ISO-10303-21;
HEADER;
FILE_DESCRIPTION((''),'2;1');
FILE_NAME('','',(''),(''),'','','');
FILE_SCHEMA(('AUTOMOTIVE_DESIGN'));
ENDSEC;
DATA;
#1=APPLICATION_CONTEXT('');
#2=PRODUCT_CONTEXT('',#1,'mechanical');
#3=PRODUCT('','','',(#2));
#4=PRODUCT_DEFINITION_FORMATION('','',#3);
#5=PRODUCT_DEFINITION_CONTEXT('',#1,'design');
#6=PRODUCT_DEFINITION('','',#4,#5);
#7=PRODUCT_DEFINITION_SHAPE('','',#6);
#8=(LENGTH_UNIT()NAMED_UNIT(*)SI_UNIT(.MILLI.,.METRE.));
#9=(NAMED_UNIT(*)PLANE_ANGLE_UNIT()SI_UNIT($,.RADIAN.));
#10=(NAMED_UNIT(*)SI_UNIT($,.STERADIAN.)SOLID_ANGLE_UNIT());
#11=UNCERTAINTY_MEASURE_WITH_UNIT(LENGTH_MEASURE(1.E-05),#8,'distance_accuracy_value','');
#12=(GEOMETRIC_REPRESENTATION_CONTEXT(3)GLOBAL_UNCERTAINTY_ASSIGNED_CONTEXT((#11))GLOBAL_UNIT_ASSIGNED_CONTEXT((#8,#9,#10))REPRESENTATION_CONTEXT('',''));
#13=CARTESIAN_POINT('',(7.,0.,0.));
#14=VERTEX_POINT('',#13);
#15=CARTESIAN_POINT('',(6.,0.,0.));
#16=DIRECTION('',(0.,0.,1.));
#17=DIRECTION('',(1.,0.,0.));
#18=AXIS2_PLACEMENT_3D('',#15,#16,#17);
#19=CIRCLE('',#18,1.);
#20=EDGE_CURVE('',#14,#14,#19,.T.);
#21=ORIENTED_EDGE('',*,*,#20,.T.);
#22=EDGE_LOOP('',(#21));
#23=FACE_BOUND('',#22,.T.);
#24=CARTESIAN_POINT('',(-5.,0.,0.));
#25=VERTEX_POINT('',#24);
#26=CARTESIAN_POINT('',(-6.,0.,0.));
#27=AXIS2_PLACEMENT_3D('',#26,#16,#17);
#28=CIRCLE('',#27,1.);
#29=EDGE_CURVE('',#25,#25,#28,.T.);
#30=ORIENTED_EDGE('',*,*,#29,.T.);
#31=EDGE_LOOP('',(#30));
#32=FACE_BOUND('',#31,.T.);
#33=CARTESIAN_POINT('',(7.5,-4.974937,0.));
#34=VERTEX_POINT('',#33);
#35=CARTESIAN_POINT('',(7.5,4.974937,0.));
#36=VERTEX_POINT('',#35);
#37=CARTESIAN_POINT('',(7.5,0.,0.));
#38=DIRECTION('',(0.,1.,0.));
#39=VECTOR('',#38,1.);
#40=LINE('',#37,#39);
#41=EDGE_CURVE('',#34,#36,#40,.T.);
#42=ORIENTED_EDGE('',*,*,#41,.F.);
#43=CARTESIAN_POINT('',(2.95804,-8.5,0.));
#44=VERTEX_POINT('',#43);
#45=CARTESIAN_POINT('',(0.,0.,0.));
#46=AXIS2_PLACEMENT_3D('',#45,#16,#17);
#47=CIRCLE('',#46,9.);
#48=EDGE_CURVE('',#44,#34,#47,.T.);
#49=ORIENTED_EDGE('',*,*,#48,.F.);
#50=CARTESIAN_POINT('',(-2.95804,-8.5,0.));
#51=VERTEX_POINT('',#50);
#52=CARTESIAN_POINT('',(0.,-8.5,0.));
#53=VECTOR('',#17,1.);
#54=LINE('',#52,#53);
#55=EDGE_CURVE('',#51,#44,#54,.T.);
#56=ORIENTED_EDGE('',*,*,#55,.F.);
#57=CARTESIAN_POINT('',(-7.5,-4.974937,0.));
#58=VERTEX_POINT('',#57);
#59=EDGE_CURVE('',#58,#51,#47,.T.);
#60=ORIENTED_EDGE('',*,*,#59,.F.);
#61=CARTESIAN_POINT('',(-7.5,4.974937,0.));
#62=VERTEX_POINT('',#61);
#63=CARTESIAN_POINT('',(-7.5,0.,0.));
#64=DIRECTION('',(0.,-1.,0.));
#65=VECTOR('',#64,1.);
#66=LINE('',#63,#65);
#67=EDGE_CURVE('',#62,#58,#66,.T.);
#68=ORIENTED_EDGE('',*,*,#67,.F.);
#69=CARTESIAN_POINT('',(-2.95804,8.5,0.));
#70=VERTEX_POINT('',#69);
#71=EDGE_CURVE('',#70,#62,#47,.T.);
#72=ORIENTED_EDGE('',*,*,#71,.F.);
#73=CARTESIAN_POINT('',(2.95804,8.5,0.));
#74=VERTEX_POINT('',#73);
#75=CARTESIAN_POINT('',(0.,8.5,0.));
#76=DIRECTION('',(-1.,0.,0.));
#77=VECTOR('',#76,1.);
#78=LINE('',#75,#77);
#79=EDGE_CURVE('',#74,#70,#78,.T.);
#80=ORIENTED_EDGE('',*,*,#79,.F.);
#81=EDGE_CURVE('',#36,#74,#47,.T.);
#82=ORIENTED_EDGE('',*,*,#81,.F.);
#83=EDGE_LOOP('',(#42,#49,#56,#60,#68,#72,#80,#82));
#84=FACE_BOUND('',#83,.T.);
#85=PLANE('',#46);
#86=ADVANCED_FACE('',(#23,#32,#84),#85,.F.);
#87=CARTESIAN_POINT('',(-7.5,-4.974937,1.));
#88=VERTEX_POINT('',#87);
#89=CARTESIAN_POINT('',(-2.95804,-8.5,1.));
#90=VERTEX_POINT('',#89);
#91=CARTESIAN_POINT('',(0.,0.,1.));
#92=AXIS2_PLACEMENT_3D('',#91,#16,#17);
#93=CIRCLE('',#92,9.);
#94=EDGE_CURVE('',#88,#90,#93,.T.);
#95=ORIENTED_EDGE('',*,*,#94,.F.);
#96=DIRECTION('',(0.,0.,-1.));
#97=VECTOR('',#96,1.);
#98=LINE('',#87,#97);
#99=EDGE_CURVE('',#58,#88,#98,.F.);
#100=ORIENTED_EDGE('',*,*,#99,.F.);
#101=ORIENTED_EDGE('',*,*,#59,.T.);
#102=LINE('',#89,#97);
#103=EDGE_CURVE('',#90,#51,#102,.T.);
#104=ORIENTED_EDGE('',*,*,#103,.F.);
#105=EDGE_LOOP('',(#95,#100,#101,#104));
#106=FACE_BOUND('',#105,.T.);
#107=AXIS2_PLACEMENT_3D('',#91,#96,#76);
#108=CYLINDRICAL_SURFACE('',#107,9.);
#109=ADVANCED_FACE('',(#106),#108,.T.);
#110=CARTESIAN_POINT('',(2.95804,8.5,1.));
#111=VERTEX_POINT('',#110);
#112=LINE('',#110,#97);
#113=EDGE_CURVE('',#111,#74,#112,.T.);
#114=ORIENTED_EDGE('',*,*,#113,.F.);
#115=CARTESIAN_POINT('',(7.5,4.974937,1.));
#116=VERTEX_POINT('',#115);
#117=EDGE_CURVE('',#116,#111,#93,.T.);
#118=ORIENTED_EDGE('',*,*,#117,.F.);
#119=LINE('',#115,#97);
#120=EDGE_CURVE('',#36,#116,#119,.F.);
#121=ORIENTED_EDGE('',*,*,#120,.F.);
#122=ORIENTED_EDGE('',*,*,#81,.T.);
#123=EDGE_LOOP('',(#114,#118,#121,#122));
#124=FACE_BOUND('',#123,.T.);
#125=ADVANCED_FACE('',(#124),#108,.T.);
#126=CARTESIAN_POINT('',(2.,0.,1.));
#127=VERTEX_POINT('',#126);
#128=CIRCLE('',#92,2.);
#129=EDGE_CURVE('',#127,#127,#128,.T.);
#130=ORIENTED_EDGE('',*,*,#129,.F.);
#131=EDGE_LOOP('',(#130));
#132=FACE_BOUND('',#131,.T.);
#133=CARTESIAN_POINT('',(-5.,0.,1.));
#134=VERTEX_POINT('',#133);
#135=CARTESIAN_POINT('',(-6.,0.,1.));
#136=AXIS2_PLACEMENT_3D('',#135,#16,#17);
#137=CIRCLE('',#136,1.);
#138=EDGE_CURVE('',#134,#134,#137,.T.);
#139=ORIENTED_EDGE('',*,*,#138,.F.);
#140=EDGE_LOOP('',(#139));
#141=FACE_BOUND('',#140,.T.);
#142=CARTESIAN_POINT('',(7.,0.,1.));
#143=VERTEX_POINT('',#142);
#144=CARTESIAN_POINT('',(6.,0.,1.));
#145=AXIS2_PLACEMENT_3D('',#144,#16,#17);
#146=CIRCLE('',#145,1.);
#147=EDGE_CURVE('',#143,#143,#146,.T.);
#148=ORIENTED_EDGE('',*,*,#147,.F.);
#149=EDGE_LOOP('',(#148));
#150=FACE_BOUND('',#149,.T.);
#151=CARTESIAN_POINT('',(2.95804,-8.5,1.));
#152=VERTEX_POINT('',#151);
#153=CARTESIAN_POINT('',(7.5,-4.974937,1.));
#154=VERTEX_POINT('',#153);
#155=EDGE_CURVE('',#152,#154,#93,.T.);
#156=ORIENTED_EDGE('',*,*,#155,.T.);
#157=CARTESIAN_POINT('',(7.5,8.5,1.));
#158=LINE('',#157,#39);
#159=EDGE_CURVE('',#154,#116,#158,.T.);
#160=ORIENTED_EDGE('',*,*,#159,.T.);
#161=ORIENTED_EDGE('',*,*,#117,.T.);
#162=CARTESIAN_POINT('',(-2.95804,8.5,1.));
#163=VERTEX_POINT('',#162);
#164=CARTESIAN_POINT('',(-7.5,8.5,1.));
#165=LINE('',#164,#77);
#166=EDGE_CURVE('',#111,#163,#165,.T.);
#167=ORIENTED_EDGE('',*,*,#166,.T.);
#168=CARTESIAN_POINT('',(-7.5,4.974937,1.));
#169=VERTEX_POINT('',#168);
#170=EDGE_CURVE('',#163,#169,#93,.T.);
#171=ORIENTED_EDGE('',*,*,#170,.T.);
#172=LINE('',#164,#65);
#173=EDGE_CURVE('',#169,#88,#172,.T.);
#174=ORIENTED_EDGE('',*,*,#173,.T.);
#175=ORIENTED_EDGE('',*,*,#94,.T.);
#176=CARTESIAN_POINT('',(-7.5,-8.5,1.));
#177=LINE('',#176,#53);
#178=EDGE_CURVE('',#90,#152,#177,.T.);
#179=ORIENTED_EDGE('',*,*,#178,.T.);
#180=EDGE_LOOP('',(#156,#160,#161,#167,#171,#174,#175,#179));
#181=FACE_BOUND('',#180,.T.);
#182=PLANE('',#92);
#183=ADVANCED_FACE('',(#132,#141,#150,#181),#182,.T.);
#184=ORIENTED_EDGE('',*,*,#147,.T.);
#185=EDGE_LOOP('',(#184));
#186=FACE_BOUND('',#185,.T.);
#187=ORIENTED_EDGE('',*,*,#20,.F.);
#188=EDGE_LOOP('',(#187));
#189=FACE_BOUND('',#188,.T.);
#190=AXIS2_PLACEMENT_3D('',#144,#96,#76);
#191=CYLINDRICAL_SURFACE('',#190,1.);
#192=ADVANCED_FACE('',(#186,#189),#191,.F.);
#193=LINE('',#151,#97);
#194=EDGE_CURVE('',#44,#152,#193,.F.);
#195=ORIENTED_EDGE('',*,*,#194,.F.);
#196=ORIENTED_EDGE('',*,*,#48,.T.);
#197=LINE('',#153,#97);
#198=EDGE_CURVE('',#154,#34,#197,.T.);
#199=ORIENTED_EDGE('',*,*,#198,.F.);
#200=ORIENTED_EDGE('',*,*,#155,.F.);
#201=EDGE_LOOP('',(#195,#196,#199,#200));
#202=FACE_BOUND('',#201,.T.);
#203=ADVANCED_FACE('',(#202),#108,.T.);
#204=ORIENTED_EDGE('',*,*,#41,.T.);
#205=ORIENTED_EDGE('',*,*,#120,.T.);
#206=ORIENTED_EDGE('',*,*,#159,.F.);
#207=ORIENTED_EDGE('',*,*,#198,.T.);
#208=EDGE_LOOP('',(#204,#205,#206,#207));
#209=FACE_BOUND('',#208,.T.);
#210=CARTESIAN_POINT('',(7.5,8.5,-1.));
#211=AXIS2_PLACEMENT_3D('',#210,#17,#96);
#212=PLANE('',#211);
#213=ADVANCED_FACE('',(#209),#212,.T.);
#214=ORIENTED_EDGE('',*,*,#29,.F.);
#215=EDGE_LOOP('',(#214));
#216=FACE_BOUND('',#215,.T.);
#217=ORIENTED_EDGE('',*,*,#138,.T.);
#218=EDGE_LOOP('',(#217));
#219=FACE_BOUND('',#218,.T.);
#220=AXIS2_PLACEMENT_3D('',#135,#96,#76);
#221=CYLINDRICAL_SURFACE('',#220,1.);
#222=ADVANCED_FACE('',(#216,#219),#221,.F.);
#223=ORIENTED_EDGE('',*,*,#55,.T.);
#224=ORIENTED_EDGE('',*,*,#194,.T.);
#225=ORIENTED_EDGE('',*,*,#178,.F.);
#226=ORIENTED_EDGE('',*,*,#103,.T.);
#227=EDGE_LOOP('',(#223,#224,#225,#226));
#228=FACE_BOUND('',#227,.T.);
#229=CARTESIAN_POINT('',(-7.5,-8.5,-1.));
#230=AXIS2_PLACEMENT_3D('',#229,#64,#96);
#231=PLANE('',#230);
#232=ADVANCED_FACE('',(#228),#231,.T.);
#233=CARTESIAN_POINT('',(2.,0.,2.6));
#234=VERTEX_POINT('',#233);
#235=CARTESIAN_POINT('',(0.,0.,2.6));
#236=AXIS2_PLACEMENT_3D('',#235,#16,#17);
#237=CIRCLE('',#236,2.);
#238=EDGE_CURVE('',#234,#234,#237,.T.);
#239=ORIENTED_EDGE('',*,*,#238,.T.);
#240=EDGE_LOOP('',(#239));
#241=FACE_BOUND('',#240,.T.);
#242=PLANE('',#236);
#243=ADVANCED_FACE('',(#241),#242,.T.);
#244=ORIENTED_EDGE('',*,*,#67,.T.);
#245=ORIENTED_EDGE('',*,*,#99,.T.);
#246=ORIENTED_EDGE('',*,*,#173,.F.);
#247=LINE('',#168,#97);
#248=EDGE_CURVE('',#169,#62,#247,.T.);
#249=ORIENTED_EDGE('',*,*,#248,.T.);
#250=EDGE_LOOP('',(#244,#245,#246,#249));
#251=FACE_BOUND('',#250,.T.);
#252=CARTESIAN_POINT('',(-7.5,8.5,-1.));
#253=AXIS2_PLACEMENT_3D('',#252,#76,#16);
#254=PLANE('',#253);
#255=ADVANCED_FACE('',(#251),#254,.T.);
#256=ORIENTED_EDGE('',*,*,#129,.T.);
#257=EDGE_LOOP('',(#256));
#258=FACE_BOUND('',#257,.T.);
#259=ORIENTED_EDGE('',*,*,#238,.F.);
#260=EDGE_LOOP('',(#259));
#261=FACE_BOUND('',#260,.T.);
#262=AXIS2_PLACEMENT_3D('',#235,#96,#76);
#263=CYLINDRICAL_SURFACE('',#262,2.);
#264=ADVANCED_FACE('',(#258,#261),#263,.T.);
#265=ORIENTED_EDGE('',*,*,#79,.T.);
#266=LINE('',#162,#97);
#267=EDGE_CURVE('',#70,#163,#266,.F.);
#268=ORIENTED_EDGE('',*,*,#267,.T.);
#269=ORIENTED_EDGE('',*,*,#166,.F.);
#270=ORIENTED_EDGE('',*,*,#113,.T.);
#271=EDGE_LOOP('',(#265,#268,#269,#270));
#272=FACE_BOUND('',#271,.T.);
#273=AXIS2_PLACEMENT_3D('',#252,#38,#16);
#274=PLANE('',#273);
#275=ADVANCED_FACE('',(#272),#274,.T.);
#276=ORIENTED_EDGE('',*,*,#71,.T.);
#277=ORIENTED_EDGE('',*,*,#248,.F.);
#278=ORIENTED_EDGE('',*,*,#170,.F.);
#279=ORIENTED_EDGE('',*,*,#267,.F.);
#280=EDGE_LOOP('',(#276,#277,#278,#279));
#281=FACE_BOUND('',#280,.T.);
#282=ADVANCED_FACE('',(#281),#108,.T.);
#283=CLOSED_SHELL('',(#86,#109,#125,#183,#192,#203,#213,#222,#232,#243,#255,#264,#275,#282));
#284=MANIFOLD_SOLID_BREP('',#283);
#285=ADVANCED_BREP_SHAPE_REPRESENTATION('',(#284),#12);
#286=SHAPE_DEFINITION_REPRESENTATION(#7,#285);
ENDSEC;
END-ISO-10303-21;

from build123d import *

# Parameters (mm, degrees)
SKETCH_1_R          = 9
SKETCH_1_R_2        = 1
EXTRUDE_1_DEPTH     = 1
SKETCH_2_W          = 32.389432278
SKETCH_2_H          = 26.120675296
SKETCH_2_W_2        = 15
SKETCH_2_H_2        = 17
CUT_EXTRUDE_1_DEPTH = 2
SKETCH_3_R          = 2
EXTRUDE_2_DEPTH     = 1.6


with BuildPart() as part:
    # 草图1 → 凸台-拉伸1 (new body)
    with BuildSketch(Plane.XY):
        Circle(SKETCH_1_R)
        with Locations((6, 0)):
            Circle(SKETCH_1_R_2, mode=Mode.SUBTRACT)
        with Locations((-6, 0)):
            Circle(SKETCH_1_R_2, mode=Mode.SUBTRACT)
    extrude(amount=EXTRUDE_1_DEPTH)

    # 草图2 → 切除-拉伸1 (cut)
    with BuildSketch(Plane.XY.offset(1)):
        Rectangle(SKETCH_2_W, SKETCH_2_H)
        Rectangle(SKETCH_2_W_2, SKETCH_2_H_2, mode=Mode.SUBTRACT)
    extrude(amount=-CUT_EXTRUDE_1_DEPTH, mode=Mode.SUBTRACT)

    # 草图3 → 凸台-拉伸2 (add)
    with BuildSketch(Plane.XY.offset(1)):
        Circle(SKETCH_3_R)
    extrude(amount=EXTRUDE_2_DEPTH)


solid = part.part
